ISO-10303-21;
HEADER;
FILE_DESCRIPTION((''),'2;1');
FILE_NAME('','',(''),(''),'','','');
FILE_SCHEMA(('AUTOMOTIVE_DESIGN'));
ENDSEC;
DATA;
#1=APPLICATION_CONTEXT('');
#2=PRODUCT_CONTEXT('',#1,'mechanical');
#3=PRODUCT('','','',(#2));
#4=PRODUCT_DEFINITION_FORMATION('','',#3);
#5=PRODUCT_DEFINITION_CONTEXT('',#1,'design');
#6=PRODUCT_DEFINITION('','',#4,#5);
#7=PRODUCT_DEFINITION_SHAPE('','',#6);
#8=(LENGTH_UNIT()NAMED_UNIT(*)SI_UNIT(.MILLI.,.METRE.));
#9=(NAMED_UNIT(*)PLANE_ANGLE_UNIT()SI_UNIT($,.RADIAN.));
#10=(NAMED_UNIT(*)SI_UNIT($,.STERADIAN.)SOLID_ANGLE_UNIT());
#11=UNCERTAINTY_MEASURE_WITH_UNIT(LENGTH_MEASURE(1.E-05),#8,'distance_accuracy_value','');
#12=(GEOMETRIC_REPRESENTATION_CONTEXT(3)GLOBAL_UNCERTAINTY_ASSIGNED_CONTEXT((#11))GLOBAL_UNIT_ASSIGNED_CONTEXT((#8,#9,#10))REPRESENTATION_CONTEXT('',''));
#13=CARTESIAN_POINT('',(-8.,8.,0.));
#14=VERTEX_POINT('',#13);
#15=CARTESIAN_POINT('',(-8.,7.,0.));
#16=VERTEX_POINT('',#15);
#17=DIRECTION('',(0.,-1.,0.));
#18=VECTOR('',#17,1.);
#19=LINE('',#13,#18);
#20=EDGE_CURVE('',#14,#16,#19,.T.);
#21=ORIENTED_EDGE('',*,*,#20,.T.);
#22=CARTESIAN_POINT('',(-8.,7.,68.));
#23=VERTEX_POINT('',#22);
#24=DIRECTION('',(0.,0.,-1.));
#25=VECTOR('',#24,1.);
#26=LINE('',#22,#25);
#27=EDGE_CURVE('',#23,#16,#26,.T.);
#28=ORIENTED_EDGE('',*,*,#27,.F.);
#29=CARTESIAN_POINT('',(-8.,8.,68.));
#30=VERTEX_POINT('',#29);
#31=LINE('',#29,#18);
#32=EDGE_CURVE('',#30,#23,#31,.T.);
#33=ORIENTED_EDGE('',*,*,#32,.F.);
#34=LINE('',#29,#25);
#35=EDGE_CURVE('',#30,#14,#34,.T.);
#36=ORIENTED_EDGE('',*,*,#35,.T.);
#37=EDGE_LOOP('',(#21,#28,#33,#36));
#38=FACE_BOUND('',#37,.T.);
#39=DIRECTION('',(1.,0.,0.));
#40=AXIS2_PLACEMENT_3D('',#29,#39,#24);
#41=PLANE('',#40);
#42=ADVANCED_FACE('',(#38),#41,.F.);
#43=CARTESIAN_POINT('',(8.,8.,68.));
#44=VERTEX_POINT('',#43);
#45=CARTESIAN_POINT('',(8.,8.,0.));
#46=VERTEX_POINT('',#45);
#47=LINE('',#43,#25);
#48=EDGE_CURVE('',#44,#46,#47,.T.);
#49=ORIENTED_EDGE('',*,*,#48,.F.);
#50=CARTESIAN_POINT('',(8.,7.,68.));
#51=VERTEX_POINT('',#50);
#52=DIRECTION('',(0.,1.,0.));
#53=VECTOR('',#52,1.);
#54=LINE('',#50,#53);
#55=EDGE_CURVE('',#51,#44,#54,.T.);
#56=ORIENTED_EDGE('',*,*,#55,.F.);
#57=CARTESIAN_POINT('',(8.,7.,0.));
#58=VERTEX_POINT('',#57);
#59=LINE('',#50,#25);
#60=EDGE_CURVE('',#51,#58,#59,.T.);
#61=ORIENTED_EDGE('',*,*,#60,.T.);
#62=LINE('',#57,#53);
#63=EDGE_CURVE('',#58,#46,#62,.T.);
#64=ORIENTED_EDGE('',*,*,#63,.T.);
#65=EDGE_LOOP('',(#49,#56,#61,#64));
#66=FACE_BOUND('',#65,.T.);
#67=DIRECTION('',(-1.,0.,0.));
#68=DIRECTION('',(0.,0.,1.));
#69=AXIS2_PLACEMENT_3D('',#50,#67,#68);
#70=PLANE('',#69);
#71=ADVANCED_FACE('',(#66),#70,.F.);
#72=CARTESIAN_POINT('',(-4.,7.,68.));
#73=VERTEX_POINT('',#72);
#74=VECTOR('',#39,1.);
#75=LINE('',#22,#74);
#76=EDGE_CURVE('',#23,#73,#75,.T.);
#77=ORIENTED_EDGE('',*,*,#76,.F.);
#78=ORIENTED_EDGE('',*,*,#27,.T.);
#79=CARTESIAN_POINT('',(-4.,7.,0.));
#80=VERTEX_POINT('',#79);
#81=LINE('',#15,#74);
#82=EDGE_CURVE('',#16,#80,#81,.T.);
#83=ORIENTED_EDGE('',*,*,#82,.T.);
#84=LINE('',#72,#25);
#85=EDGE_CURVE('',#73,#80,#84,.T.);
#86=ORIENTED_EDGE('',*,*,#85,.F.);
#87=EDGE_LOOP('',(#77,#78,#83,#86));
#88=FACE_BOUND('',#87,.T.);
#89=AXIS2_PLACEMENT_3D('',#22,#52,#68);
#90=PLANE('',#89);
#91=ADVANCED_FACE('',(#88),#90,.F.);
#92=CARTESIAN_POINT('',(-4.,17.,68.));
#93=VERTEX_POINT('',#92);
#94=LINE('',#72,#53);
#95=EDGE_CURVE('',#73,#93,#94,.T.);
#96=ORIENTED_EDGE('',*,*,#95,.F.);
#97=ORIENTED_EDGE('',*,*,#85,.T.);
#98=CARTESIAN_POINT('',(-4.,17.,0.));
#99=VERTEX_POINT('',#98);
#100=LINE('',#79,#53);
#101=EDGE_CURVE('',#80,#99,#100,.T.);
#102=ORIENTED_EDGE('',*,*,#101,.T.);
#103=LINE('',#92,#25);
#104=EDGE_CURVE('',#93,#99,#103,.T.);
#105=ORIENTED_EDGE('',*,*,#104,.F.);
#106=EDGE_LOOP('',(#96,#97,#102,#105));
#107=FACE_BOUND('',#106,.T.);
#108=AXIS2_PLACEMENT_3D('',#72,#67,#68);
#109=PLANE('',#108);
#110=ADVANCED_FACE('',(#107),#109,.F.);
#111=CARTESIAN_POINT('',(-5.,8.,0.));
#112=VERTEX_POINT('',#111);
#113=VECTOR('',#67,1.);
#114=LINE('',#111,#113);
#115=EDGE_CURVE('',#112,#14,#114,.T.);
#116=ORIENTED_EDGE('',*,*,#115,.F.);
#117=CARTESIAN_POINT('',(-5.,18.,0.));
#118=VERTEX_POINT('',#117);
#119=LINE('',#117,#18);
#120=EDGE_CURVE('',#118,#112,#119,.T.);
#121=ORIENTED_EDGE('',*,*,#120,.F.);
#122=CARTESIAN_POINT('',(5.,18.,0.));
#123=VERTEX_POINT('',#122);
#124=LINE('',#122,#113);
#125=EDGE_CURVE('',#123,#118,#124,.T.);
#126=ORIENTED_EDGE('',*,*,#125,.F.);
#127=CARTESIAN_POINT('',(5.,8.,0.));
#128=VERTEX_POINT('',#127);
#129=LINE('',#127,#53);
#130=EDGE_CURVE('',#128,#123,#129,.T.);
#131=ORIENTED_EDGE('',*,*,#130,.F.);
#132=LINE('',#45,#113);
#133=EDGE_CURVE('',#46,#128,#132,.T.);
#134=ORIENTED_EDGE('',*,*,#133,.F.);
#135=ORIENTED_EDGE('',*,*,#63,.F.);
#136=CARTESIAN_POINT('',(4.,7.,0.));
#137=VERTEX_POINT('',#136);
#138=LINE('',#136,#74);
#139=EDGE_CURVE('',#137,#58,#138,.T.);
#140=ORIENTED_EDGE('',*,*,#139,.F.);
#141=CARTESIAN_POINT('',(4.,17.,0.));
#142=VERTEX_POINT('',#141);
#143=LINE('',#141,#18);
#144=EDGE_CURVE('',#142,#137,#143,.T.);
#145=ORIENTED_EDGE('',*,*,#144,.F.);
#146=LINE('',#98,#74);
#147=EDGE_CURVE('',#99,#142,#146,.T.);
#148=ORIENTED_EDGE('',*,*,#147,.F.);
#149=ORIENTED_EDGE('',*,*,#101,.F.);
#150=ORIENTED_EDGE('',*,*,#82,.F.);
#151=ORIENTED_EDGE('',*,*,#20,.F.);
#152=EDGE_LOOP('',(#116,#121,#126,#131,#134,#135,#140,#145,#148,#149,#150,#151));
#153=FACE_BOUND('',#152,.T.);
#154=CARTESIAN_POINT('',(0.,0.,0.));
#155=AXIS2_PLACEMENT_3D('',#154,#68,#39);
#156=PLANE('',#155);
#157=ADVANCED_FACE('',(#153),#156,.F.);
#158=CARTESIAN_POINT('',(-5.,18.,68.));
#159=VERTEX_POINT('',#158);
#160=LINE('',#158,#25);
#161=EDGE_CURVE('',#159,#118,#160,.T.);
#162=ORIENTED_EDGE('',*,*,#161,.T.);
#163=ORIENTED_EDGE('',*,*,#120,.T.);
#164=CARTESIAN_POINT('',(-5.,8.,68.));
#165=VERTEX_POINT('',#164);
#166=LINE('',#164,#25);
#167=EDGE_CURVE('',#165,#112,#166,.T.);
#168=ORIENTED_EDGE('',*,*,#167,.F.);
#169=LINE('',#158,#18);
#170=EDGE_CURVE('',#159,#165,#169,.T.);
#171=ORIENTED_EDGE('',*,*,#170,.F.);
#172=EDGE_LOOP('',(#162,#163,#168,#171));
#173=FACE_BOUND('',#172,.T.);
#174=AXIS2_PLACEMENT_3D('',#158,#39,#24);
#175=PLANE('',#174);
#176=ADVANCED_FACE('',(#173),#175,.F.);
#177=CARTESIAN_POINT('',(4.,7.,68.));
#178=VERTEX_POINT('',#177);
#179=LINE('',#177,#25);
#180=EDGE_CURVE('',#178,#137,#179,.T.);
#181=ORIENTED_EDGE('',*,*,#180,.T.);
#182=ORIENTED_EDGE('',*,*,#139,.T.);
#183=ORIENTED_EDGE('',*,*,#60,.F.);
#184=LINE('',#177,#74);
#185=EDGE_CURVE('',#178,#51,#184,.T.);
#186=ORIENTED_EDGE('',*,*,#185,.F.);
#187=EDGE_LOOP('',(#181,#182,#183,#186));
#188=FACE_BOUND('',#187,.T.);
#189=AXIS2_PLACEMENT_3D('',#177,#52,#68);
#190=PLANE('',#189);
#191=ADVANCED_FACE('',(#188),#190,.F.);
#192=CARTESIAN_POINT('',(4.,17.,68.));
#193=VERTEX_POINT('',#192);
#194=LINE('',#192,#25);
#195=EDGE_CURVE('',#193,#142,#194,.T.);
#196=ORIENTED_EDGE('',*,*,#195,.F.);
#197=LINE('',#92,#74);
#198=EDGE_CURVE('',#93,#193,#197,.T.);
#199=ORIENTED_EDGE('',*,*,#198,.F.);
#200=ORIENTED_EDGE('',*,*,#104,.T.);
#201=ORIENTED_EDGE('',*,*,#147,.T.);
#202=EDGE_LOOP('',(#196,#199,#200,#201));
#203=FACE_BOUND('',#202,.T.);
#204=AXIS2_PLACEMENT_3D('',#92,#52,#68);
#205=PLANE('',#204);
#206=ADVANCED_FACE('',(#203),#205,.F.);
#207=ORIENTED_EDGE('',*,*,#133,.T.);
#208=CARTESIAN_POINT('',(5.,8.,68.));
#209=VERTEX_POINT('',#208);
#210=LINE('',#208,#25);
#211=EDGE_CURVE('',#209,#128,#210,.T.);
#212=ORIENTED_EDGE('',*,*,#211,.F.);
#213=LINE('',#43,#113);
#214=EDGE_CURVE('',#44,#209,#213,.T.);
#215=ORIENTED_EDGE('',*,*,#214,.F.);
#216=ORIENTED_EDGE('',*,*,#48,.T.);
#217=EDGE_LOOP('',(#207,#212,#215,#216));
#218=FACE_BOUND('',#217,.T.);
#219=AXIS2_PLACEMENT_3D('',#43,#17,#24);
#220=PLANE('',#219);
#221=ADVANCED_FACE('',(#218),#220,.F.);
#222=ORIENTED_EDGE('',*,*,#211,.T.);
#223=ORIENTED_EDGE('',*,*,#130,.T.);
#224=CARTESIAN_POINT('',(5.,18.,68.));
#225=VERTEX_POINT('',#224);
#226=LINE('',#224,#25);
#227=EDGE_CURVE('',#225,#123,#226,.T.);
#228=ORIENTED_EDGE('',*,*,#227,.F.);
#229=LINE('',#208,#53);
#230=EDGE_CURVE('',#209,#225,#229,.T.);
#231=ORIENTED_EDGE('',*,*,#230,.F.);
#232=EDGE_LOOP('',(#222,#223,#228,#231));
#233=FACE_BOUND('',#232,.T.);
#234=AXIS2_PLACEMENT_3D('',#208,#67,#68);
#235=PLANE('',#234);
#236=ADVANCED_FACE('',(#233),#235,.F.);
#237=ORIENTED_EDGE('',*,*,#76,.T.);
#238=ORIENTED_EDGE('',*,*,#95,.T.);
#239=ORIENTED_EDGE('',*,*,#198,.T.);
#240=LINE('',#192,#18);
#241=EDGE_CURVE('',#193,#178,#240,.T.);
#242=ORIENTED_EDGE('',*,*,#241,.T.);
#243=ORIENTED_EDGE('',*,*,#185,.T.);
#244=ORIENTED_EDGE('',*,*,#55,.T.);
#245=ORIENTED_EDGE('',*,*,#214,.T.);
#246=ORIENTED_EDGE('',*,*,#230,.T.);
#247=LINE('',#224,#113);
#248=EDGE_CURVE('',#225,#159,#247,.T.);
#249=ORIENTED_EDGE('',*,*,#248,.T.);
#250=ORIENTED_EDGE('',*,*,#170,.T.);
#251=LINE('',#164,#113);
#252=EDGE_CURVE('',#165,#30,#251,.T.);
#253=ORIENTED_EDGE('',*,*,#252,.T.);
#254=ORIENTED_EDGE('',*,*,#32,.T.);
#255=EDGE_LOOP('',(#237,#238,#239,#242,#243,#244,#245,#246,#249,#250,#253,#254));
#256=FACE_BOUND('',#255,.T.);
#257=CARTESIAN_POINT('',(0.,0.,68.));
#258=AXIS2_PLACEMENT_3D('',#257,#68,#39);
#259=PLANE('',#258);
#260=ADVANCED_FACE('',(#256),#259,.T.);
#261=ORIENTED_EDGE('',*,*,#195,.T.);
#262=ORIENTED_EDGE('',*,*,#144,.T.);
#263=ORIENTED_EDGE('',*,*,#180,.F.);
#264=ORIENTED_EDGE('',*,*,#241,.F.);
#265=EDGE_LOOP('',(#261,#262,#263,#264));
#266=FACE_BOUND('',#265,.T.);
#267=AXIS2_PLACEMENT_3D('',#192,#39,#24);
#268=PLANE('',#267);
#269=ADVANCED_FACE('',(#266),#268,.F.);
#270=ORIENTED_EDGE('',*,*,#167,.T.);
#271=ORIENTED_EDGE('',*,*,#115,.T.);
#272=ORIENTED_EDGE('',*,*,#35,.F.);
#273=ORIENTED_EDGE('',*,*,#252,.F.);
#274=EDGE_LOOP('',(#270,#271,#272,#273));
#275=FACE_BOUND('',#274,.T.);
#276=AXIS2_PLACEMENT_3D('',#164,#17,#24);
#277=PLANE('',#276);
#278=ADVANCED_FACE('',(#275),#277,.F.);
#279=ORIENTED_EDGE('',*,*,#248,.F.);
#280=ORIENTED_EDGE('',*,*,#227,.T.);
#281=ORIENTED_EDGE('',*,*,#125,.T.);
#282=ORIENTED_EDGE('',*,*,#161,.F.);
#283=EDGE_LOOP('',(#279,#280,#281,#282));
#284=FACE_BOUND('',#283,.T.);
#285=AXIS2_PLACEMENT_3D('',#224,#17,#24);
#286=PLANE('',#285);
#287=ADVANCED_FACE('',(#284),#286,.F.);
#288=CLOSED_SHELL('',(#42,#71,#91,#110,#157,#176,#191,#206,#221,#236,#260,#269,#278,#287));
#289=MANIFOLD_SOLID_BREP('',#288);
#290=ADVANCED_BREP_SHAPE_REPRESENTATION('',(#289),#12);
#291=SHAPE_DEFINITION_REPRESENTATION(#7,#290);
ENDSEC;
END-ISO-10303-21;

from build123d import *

# Parameters (mm, degrees)
F_10_MM_DEEP_HAT_SECTION_DEPTH = 68


with BuildPart() as part:
    # 10 mm deep hat section profile → 10 mm deep hat section (new body)
    with BuildSketch(Plane.XY):
        Polygon((-8, 7), (-4, 7), (-4, 17), (4, 17), (4, 7), (8, 7), (8, 8), (5, 8), (5, 18), (-5, 18), (-5, 8), (-8, 8), align=None)
    extrude(amount=F_10_MM_DEEP_HAT_SECTION_DEPTH)


solid = part.part
